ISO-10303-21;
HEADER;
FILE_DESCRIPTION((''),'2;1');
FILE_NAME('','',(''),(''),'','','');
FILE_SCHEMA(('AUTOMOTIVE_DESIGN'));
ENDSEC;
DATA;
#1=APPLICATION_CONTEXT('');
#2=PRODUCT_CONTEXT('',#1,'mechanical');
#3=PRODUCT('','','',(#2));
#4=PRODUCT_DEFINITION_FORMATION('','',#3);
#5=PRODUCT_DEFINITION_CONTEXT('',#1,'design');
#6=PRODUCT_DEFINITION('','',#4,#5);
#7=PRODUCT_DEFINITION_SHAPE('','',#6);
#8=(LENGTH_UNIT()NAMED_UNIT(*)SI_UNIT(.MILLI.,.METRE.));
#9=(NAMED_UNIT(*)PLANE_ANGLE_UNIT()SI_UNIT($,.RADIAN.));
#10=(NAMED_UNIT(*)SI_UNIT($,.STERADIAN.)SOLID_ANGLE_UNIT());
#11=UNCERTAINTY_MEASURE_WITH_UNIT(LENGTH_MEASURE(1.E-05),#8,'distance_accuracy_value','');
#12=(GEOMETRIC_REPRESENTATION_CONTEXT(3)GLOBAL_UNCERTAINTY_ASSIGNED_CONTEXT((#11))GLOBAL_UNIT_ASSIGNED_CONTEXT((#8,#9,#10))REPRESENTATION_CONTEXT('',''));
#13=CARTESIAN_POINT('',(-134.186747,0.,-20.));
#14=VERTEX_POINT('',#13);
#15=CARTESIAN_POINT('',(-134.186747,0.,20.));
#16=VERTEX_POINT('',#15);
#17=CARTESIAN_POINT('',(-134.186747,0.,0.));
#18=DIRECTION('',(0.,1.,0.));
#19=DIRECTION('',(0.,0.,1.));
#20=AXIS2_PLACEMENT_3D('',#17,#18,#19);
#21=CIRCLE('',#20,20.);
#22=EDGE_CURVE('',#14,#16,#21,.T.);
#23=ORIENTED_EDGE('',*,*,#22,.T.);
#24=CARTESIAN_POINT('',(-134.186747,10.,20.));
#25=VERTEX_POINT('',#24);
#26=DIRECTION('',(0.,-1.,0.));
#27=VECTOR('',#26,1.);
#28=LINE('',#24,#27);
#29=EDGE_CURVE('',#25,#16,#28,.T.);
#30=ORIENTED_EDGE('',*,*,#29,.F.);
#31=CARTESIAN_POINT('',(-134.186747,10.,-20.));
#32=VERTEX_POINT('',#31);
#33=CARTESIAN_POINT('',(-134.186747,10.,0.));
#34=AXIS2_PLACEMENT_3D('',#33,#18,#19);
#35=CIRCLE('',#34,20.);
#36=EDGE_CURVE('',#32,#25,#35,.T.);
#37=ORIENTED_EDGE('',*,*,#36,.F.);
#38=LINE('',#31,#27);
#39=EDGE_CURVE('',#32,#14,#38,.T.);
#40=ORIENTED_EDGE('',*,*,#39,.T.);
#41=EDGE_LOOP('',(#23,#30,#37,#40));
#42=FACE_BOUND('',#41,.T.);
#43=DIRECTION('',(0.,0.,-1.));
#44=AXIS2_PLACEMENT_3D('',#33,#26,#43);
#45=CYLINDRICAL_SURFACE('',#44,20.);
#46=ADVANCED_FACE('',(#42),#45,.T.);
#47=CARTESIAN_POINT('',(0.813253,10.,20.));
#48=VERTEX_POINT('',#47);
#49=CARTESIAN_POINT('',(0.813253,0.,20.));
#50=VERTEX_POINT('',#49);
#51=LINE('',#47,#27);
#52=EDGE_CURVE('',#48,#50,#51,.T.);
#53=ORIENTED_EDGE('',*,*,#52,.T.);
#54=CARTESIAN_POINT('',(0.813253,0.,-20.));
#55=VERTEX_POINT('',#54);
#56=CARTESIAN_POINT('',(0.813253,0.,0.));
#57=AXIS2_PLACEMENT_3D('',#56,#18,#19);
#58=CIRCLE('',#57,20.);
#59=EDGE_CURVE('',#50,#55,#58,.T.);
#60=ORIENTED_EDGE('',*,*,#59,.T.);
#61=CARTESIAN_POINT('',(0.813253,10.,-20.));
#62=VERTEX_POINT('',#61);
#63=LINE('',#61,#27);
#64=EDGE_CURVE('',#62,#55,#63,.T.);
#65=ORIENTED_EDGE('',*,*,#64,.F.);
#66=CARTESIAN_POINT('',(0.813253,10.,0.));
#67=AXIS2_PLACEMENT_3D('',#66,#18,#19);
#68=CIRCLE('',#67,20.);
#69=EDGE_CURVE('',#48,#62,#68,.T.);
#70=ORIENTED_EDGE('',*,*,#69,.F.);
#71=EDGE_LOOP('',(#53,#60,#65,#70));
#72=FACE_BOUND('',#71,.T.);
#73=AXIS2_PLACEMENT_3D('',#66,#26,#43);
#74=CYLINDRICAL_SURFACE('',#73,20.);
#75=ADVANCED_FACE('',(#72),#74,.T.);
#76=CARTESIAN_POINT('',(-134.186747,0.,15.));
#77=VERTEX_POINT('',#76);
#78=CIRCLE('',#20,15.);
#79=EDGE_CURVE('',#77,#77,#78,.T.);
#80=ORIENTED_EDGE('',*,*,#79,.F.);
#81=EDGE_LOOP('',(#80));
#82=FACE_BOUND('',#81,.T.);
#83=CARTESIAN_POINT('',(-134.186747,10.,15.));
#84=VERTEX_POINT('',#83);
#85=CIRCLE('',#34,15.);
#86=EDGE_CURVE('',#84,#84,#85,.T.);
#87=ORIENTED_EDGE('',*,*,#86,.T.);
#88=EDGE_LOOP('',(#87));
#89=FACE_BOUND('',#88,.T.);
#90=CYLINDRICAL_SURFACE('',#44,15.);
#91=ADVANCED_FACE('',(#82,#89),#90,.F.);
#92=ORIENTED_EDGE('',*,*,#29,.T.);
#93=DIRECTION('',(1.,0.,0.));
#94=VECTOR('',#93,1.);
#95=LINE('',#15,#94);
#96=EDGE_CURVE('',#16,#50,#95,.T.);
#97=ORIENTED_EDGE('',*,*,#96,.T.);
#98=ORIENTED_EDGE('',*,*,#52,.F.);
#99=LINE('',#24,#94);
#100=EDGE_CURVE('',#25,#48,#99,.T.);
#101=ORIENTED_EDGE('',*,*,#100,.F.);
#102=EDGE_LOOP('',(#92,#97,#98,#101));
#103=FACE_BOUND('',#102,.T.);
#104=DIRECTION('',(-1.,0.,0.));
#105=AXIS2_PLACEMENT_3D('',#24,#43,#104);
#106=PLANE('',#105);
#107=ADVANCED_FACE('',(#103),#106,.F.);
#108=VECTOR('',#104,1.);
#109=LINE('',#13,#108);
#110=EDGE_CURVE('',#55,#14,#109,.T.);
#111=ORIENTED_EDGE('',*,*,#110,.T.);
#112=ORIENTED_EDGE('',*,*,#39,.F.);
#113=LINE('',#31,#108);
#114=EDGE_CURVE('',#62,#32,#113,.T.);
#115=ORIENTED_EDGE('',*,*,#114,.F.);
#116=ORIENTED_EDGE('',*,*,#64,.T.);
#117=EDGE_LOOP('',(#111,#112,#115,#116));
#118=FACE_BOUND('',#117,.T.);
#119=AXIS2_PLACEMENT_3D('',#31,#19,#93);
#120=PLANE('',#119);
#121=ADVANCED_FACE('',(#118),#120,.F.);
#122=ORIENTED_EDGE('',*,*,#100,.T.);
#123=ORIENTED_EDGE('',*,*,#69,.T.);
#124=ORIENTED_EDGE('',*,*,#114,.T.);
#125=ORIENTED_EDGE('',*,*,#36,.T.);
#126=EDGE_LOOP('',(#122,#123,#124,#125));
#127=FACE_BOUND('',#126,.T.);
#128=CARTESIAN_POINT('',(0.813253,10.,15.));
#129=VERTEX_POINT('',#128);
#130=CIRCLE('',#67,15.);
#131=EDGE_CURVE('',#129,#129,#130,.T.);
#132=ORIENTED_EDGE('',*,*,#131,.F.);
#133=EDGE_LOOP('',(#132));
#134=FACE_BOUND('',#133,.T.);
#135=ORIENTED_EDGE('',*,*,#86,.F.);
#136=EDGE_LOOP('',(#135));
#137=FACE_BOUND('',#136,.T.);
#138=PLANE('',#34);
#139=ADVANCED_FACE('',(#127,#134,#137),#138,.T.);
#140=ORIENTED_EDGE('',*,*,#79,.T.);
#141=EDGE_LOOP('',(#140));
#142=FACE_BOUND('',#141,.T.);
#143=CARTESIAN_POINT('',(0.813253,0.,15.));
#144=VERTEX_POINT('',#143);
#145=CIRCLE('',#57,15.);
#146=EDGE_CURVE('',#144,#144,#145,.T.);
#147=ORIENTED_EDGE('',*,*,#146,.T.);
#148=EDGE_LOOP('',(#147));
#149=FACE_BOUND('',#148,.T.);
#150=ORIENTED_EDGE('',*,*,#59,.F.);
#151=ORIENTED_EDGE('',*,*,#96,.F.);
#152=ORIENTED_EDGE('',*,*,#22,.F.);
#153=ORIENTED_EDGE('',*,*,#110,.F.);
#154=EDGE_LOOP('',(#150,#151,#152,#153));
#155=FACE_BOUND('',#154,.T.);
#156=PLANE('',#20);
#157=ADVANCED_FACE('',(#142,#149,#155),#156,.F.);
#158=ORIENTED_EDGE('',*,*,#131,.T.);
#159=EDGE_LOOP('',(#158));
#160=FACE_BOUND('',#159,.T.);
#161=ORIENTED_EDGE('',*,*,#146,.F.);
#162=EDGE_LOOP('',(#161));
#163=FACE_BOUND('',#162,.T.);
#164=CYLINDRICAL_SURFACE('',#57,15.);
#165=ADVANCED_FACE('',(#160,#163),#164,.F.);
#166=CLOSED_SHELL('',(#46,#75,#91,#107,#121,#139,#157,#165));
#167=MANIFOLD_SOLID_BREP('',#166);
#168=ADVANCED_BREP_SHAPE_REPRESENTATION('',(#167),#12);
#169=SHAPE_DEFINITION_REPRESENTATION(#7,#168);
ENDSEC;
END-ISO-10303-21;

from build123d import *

# Parameters (mm, degrees)
SKETCH1_R           = 15
BOSS_EXTRUDE1_DEPTH = 10
SKETCH2_R           = 15
CUT_EXTRUDE1_DEPTH  = 10


with BuildPart() as part:
    # Sketch1 → Boss-Extrude1 (new body)
    with BuildSketch(Plane(origin=(0, 0, 0), x_dir=(1, 0, 0), z_dir=(0, 1, 0))):
        with BuildLine():
            Line((-134.186746988, 20), (0.813253012, 20))
            ThreePointArc((0.813253012, 20), (20.813253012, 0), (0.813253012, -20))
            Line((0.813253012, -20), (-134.186746988, -20))
            ThreePointArc((-134.186746988, -20), (-154.186746988, 0), (-134.186746988, 20))
        make_face()
        with Locations(Location((-134.186746988, 0, 0), (0, 0, 270))):
            Circle(SKETCH1_R, mode=Mode.SUBTRACT)
    extrude(amount=BOSS_EXTRUDE1_DEPTH)

    # Sketch2 → Cut-Extrude1 (cut)
    with BuildSketch(Plane(origin=(0, 10, 0), x_dir=(1, 0, 0), z_dir=(0, 1, 0))):
        with Locations(Location((0.813253012, 0, 0), (0, 0, 270))):
            Circle(SKETCH2_R)
    extrude(amount=-CUT_EXTRUDE1_DEPTH, mode=Mode.SUBTRACT)


solid = part.part
